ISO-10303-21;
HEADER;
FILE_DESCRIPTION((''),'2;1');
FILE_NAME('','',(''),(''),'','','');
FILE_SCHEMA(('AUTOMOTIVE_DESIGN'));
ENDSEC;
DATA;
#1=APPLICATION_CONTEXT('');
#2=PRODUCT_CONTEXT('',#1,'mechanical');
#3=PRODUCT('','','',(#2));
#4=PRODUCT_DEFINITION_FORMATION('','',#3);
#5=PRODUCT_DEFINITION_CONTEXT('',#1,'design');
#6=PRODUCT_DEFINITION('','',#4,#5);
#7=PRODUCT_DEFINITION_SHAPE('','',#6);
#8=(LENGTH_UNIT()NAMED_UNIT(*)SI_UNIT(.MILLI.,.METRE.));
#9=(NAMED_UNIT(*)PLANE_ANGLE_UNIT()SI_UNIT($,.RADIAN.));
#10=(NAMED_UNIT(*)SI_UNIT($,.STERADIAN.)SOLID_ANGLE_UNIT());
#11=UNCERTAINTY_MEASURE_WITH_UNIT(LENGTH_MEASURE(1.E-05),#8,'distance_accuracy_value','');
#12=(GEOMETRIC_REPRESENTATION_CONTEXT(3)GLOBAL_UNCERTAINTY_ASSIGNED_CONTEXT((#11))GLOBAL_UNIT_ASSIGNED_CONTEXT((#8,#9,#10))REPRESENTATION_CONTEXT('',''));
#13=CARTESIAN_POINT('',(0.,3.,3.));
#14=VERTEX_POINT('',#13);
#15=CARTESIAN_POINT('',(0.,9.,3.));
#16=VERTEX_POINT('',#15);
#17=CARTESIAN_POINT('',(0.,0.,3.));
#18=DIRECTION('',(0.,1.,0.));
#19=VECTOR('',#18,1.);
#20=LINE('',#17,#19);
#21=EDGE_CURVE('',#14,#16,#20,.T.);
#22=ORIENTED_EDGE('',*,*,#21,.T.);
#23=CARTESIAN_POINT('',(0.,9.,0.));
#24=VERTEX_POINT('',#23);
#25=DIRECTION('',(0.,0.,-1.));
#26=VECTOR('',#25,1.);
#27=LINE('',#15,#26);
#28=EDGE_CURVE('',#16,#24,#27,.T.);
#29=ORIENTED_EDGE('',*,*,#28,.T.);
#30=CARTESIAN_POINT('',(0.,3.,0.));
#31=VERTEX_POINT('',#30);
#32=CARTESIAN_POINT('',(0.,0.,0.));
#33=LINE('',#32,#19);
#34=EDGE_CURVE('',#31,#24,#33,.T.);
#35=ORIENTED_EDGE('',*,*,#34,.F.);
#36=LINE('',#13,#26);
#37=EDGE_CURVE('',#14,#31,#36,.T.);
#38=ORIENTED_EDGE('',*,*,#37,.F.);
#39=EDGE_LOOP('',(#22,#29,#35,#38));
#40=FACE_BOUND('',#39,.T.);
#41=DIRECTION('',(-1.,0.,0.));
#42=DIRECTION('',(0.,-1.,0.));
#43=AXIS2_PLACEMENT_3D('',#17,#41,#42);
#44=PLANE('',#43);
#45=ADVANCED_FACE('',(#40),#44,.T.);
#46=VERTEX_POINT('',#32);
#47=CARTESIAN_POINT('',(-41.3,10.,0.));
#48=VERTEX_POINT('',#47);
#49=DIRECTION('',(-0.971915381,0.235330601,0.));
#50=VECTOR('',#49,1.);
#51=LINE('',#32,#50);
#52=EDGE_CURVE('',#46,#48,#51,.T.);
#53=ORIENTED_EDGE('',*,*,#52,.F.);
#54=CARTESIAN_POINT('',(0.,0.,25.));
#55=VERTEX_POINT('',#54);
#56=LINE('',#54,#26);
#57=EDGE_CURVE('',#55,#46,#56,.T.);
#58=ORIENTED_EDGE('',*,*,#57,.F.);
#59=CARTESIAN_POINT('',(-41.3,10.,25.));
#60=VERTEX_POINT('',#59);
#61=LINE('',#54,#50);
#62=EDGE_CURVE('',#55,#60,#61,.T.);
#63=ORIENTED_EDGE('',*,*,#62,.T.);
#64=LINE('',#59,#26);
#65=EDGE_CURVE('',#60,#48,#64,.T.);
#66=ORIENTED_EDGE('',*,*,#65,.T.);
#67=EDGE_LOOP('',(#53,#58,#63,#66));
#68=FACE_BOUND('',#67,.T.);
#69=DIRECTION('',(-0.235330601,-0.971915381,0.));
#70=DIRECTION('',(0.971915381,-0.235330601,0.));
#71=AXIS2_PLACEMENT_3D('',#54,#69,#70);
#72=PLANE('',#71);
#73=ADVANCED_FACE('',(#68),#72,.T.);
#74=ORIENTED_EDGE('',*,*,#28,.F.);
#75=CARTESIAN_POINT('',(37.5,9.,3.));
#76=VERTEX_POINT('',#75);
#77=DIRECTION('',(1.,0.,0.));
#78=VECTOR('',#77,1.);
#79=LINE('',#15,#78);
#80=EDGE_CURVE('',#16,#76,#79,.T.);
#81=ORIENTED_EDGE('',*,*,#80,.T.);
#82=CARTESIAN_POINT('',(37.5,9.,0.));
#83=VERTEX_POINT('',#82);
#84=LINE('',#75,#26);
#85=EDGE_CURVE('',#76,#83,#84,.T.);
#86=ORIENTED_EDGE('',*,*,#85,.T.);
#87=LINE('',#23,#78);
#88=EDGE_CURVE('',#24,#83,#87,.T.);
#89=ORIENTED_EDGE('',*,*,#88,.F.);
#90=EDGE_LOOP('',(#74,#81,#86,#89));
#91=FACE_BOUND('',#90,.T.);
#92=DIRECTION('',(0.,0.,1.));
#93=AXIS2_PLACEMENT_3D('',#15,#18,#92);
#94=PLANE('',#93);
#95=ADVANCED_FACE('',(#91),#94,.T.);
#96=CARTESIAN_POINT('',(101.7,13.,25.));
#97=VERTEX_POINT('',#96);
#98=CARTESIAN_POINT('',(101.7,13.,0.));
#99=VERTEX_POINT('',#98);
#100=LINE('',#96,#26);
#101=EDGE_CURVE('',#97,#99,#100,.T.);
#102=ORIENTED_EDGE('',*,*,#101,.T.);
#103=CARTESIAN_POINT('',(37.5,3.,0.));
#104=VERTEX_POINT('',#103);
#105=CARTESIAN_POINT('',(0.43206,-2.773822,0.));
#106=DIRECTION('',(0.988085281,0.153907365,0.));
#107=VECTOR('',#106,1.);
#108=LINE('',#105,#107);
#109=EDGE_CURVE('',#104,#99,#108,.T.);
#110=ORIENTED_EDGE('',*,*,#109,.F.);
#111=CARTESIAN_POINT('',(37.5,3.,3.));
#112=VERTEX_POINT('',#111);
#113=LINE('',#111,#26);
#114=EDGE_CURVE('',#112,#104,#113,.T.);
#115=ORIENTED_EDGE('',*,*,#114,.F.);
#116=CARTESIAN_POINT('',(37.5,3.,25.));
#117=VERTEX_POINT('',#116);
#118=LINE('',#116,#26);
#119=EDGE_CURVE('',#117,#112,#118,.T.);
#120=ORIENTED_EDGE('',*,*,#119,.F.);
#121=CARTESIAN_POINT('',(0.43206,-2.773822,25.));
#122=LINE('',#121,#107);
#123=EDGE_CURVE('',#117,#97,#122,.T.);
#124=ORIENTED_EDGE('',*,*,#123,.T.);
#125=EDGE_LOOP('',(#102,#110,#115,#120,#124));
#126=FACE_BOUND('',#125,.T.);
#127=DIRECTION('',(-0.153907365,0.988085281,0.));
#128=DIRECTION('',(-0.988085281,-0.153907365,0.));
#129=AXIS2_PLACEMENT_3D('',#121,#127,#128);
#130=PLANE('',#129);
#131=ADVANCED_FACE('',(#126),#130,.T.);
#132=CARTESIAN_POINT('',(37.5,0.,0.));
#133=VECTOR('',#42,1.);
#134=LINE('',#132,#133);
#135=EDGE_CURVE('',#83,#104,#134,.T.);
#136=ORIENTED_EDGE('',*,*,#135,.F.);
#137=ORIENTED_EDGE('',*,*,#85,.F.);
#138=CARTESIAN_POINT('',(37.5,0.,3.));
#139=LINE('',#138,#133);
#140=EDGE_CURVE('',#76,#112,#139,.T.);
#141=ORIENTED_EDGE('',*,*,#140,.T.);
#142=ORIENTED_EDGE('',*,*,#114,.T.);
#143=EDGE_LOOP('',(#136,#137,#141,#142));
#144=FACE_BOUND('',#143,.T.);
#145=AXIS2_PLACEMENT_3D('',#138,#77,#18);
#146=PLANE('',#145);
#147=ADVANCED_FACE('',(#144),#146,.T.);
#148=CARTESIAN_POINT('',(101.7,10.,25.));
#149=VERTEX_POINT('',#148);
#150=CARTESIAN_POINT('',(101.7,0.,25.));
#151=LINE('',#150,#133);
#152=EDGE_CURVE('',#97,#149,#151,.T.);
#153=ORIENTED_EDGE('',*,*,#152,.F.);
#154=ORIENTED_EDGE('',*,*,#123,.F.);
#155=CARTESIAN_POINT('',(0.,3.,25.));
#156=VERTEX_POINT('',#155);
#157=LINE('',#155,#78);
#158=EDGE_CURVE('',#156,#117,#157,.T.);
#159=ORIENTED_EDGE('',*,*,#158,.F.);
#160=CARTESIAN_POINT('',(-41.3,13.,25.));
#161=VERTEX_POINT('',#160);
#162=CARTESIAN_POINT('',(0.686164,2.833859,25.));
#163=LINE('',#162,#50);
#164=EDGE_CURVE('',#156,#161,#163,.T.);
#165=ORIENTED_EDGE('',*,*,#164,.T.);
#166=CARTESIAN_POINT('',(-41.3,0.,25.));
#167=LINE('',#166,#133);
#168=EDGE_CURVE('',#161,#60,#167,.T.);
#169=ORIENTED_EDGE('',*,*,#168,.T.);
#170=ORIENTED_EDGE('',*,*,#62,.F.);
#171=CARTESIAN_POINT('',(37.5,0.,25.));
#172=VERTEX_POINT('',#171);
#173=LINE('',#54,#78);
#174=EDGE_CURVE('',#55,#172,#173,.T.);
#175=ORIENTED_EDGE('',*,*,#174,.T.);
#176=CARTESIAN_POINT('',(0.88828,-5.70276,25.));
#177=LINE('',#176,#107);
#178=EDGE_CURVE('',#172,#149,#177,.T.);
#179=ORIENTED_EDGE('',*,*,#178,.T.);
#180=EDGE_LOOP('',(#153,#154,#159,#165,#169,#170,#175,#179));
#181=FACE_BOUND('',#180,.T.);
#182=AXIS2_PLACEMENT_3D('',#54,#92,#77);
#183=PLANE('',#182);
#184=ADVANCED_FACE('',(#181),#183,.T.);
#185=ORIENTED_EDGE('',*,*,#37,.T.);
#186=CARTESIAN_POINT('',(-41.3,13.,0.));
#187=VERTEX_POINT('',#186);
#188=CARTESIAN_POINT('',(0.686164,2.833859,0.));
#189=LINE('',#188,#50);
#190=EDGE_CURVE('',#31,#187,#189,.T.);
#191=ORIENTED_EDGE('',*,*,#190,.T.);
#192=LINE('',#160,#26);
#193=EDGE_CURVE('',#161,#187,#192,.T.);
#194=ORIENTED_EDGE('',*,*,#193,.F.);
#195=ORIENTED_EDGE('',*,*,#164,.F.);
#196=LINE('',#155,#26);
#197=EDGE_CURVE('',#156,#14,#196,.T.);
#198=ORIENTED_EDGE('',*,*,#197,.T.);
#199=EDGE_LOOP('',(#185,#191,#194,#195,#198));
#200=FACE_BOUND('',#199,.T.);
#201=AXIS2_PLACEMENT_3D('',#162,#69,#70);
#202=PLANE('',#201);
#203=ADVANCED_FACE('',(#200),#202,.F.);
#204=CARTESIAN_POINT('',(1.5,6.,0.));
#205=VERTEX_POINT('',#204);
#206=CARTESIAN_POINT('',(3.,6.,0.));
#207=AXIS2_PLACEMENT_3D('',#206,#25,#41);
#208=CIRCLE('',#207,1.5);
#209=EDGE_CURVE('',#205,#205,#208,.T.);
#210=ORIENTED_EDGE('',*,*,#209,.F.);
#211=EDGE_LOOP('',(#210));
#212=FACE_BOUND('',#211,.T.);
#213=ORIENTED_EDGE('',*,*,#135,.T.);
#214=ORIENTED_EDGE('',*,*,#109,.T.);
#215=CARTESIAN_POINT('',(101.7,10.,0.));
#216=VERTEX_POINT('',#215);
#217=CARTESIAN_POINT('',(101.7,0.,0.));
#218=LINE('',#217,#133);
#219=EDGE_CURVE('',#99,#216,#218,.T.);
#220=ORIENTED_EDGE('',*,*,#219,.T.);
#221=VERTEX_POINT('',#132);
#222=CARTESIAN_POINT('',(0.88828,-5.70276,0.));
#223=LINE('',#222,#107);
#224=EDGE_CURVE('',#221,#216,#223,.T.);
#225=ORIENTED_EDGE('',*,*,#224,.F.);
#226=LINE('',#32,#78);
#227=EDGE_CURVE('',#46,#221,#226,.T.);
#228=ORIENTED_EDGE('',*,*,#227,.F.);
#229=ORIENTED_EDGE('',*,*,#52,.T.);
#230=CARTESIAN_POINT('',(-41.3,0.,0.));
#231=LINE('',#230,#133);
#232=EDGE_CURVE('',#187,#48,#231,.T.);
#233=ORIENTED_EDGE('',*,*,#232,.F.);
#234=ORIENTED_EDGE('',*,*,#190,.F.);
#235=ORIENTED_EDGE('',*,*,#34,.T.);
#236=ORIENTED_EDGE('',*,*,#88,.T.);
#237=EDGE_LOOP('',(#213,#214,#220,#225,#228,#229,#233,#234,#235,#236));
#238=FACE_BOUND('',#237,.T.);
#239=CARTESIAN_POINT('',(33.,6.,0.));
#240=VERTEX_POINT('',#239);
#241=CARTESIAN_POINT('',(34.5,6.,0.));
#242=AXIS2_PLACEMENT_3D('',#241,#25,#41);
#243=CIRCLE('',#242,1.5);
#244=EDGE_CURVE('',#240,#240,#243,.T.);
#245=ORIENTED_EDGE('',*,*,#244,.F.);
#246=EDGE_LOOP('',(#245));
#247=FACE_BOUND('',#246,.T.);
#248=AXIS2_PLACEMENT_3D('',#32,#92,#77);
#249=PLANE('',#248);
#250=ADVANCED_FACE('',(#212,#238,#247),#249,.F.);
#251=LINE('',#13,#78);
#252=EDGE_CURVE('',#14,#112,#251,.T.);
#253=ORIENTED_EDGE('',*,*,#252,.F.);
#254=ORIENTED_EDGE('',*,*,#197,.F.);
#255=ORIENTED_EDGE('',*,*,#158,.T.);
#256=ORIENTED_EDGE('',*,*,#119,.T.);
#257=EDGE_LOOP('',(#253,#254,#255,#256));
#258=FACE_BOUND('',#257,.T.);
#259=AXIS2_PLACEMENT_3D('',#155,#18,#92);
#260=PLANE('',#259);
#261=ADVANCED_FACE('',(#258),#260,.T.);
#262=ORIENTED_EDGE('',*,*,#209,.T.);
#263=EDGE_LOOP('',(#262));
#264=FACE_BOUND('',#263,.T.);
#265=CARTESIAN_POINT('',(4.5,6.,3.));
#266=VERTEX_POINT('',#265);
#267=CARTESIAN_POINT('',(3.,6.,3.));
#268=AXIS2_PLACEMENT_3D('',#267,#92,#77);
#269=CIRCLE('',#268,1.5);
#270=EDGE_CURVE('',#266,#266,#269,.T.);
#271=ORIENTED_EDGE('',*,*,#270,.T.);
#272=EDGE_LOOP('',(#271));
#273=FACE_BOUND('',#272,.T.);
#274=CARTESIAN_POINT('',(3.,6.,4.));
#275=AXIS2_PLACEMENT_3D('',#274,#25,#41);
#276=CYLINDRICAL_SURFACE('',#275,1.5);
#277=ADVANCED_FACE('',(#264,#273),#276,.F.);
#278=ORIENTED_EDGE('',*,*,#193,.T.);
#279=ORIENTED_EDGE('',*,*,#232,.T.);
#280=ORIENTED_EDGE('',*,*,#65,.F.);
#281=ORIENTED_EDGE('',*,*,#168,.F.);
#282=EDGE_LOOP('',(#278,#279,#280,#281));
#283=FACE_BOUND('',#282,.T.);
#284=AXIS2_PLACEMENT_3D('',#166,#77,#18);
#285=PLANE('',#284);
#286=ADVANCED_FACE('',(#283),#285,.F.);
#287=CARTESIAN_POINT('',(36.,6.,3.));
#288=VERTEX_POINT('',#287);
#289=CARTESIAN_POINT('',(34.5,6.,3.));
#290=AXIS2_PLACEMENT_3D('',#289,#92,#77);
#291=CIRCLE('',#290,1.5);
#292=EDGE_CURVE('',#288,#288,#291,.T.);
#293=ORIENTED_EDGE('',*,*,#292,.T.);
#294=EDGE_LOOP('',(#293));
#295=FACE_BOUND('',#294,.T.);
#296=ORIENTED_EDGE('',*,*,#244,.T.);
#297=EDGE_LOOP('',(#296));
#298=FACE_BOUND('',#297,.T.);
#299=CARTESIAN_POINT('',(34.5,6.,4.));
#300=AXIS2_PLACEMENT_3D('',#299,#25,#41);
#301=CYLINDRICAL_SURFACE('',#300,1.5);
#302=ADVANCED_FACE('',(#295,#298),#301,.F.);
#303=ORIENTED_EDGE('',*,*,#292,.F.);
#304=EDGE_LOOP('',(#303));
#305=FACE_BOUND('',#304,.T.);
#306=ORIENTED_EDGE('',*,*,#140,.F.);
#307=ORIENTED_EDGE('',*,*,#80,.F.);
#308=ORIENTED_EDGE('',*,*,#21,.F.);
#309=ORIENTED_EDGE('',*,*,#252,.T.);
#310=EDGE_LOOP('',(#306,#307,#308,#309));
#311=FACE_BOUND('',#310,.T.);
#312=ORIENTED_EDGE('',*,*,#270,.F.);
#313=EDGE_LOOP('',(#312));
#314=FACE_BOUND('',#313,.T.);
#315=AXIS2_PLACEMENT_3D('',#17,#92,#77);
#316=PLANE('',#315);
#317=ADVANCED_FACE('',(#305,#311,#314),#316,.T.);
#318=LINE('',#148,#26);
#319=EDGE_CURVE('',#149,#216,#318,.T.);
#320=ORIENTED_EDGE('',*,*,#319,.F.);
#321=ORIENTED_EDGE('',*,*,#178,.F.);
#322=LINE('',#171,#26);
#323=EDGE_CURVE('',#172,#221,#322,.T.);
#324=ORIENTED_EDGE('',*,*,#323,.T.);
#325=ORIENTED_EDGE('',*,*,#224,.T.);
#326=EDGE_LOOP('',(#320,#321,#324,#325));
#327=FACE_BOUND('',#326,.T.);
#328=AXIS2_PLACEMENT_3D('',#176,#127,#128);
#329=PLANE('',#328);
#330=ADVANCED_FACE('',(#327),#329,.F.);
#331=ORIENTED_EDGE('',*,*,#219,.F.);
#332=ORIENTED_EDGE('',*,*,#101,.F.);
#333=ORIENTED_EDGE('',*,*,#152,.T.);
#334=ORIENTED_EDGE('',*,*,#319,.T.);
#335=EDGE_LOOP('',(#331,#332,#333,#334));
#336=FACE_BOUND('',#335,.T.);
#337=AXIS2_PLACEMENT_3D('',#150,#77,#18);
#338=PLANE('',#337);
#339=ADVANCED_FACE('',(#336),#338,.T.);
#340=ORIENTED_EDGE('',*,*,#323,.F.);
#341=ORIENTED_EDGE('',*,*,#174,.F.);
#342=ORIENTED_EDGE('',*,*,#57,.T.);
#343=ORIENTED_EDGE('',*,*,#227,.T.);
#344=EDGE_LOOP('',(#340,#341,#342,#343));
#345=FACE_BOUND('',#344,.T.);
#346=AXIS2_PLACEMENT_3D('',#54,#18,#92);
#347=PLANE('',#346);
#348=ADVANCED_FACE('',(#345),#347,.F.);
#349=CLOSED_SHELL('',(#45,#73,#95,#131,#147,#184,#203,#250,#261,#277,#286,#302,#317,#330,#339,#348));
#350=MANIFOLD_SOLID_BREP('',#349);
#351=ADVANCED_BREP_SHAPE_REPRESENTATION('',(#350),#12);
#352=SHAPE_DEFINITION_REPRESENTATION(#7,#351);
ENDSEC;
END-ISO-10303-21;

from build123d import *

# Parameters (mm, degrees)
EXTRUDE_2_DEPTH     = 25
SKETCH_3_3_W        = 37.5
SKETCH_3_3_H        = 6
EXTRUDE_3_DEPTH     = 3
SKETCH_4_R          = 1.5
CUT_EXTRUDE_2_DEPTH = 4


with BuildPart() as part:
    # 草图3 → 凸台-拉伸2 (new body)
    with BuildSketch(Plane.XY):
        Polygon((-41.3, 10), (0, 0), (37.5, 0), (101.7, 10), (101.7, 13), (37.5, 3), (0, 3), (-41.3, 13), align=None)
    extrude(amount=EXTRUDE_2_DEPTH)

    # 草图3<3> → 凸台-拉伸3 (add)
    with BuildSketch(Plane.XY):
        with Locations((18.75, 6)):
            Rectangle(SKETCH_3_3_W, SKETCH_3_3_H)
    extrude(amount=EXTRUDE_3_DEPTH)

    # 草图4 → 切除-拉伸2 (cut)
    with BuildSketch(Plane(origin=(0, 0, 0), x_dir=(-1, 0, 0), z_dir=(0, 0, -1))):
        with Locations((-34.5, 6)):
            Circle(SKETCH_4_R)
        with Locations((-3, 6)):
            Circle(SKETCH_4_R)
    extrude(amount=-CUT_EXTRUDE_2_DEPTH, mode=Mode.SUBTRACT)


solid = part.part
